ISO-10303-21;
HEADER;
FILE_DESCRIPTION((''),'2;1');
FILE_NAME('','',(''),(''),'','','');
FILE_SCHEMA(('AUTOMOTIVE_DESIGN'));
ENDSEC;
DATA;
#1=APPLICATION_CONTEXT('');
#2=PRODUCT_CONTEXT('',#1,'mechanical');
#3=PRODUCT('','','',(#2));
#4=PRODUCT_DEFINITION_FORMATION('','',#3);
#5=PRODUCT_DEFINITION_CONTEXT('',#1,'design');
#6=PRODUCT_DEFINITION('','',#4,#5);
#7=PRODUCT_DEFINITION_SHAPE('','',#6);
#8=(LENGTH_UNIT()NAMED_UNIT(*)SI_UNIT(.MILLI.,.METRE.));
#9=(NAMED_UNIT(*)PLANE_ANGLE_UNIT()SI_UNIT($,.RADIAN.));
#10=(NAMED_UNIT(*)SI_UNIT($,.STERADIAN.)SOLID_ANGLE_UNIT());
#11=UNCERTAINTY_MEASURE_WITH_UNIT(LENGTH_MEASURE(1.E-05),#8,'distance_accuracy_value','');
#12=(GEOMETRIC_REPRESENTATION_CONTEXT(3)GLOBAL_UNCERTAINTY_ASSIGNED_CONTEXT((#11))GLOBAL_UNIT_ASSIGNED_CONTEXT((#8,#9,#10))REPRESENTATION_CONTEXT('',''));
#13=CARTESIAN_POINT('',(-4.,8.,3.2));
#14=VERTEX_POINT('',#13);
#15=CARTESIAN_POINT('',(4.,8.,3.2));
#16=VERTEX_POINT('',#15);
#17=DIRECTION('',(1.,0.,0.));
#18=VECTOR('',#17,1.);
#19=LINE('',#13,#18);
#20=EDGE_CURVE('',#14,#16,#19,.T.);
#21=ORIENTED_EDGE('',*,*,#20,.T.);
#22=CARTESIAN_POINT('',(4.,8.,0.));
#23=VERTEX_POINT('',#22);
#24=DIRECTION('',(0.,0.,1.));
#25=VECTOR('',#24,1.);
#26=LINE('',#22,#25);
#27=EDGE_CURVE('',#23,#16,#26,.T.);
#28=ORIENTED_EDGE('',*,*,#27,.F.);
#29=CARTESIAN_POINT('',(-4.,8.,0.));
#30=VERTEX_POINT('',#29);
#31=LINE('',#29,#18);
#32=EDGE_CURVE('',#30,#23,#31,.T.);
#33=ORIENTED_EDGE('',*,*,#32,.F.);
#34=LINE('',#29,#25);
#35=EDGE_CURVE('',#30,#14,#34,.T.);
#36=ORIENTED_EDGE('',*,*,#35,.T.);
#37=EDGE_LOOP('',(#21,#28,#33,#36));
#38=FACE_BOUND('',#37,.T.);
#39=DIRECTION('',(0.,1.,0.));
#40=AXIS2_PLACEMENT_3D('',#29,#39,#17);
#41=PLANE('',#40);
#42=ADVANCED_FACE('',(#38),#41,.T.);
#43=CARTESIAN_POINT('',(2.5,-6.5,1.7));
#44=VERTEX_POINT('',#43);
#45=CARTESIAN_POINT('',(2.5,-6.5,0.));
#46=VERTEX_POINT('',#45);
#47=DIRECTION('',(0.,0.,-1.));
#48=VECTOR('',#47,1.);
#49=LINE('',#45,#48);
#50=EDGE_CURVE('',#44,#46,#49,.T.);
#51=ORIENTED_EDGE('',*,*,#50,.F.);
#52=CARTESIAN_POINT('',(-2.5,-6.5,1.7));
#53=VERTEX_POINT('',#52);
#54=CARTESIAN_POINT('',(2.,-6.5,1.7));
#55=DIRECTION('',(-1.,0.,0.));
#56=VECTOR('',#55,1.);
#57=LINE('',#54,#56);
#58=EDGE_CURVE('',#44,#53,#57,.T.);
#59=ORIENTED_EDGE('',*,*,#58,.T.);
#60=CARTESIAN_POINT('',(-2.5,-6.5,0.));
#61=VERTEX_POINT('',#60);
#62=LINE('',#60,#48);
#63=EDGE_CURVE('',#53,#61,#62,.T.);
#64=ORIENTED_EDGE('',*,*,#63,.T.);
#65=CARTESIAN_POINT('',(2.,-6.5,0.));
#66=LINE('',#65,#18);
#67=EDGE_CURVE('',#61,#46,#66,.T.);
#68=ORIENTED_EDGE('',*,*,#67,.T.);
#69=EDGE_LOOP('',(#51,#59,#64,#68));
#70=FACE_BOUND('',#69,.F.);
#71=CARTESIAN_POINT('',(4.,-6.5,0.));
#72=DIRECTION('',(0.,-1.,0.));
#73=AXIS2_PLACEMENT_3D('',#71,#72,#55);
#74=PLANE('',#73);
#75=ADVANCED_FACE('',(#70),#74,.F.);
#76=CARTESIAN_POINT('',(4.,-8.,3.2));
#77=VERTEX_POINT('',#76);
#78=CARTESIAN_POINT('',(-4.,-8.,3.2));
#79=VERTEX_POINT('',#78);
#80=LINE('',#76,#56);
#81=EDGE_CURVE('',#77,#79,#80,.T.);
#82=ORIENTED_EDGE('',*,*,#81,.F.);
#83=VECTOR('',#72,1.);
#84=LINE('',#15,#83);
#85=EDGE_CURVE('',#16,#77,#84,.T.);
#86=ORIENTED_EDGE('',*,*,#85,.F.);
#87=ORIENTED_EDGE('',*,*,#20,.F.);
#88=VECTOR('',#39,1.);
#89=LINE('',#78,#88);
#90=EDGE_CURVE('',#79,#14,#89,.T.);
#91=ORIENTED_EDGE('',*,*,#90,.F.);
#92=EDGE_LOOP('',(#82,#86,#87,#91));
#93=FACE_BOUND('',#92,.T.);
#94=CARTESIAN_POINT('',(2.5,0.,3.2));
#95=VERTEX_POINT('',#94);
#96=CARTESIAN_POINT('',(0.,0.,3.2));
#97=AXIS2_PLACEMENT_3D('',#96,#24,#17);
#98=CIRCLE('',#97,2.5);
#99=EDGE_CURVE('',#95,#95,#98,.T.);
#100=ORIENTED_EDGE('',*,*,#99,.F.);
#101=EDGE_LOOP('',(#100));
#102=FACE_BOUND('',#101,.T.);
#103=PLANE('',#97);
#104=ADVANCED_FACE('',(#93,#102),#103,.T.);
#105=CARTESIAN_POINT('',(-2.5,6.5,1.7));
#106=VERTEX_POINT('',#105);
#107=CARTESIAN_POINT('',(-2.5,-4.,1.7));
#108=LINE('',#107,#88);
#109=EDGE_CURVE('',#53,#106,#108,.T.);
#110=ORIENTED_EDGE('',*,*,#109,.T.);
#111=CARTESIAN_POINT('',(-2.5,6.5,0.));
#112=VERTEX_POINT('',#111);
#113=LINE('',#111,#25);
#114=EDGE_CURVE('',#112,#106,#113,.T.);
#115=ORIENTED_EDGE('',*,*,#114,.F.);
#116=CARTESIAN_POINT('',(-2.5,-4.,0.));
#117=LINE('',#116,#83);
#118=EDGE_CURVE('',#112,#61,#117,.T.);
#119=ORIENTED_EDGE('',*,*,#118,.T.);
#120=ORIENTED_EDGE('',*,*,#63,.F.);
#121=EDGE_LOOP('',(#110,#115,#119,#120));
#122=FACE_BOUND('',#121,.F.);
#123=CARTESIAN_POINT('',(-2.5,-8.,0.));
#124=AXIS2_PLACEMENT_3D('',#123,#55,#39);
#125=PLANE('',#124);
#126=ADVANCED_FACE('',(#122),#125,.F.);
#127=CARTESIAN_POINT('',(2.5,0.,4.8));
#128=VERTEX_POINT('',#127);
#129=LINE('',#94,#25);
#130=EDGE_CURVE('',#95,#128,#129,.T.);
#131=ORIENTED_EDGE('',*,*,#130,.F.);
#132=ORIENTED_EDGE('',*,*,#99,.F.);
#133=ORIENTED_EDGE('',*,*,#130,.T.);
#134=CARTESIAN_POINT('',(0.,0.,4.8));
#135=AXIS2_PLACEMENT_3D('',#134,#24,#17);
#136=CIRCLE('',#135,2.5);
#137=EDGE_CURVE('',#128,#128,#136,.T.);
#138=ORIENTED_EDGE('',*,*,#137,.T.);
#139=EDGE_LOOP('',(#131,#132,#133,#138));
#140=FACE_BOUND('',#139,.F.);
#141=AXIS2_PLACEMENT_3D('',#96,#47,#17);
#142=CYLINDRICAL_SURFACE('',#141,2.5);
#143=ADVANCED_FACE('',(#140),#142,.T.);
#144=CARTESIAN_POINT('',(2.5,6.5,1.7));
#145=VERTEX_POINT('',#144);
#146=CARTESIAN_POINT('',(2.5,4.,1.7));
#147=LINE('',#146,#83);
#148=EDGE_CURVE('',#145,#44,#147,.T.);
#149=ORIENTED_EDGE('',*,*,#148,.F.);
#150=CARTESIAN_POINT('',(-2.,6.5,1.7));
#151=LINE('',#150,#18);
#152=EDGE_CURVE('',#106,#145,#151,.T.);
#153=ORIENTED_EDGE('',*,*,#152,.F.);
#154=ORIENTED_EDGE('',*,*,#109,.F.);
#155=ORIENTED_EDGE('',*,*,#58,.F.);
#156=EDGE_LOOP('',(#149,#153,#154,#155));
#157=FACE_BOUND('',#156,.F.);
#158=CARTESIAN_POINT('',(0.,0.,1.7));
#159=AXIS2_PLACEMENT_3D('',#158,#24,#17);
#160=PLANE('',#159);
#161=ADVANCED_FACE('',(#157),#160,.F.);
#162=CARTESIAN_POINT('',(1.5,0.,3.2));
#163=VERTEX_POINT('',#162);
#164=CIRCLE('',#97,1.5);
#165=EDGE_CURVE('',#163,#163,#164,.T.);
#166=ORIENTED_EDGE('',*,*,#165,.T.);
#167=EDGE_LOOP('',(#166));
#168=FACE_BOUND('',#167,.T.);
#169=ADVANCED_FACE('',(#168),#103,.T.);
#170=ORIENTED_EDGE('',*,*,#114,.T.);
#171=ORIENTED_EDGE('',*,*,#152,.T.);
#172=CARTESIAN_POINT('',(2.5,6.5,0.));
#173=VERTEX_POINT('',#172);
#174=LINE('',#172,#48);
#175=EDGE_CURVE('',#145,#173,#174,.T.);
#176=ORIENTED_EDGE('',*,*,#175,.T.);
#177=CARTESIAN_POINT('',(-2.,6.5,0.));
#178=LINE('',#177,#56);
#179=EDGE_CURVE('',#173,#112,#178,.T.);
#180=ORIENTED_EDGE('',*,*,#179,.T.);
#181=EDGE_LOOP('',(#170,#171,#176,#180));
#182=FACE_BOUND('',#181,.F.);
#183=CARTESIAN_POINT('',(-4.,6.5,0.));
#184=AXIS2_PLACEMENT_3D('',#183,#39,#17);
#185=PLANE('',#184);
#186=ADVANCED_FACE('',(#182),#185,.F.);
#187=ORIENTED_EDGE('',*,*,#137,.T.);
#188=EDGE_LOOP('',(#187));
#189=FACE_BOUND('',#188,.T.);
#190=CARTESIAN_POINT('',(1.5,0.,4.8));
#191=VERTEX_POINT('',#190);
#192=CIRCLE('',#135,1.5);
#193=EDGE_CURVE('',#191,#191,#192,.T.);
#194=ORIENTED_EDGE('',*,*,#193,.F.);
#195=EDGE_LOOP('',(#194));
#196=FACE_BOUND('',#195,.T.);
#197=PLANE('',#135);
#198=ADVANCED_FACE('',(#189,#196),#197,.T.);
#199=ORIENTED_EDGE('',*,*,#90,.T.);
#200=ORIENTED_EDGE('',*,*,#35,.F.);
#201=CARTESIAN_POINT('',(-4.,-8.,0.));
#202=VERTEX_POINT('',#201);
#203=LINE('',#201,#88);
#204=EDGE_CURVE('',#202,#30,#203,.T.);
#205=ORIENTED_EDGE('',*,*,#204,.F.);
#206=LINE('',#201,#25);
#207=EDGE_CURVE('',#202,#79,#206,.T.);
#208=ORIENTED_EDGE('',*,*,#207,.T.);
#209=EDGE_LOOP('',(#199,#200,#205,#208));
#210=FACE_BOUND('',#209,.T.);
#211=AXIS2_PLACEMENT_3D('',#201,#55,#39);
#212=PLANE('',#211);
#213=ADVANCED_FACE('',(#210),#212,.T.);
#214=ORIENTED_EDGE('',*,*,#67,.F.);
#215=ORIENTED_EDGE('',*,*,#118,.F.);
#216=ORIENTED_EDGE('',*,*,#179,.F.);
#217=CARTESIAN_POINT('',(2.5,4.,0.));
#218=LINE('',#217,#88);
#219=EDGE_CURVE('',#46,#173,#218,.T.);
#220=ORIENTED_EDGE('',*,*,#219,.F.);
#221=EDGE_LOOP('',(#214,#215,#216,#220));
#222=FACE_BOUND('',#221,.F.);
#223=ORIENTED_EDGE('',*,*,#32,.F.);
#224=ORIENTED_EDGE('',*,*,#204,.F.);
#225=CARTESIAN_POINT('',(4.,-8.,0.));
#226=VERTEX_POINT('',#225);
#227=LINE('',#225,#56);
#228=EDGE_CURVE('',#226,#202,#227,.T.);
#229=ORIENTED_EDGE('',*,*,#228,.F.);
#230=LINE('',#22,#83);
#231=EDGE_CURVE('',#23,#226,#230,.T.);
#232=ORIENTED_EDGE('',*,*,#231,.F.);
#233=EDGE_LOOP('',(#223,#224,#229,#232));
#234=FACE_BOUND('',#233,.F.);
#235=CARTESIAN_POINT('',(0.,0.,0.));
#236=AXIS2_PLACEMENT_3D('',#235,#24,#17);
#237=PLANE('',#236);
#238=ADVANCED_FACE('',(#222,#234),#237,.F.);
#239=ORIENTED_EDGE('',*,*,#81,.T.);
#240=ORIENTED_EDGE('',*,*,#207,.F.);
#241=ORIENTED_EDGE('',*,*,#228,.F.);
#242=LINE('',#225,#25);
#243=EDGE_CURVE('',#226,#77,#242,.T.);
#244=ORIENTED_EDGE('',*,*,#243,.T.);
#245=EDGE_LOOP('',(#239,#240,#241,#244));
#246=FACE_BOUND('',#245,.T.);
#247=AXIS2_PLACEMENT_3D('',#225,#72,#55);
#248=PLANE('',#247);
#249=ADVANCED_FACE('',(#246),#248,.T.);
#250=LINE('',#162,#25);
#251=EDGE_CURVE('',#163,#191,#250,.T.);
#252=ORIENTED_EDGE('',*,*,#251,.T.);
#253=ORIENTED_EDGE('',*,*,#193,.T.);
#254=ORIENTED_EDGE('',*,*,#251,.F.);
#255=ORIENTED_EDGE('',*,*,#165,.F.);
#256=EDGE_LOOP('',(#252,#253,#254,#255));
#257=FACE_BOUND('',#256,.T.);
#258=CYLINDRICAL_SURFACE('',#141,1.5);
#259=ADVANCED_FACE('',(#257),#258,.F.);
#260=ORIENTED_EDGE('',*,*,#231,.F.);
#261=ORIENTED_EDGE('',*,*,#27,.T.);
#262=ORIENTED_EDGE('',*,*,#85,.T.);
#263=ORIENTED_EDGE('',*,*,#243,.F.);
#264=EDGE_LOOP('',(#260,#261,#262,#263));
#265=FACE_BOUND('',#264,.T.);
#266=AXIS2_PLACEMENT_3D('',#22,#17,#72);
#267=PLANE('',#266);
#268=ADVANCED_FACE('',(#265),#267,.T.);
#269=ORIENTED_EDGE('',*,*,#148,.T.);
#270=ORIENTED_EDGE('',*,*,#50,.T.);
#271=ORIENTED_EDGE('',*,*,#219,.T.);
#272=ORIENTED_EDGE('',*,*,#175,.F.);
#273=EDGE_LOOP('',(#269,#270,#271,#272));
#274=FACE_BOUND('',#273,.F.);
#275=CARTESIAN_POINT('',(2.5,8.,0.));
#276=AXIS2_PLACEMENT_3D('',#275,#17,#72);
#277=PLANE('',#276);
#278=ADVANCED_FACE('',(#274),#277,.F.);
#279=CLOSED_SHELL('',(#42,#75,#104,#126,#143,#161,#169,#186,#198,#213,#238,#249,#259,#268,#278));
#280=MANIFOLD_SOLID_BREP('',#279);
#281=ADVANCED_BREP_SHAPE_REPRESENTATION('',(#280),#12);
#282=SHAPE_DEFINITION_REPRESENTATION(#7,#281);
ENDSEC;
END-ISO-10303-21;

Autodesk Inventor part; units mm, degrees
ref_plane "YZ Plane" through (0, 0, 0) normal (1, 0, 0) x (0, 1, 0)
ref_plane "XZ Plane" through (0, 0, 0) normal (0, 1, 0) x (-1, 0, 0)
ref_plane "XY Plane" through (0, 0, 0) normal (0, 0, 1) x (1, 0, 0)
sketch "Sketch1" plane through (0, 0, 0) normal (0, 0, 1) x (1, 0, 0)
  line L0 (-4, 8) -> (4, 8)
  line L1 (4, 8) -> (4, -8)
  line L2 (4, -8) -> (-4, -8)
  line L3 (-4, -8) -> (-4, 8)
  point P0 (0, 0)
  dimension "d0" = 8
  dimension "d1" = 16
  dimension "d2" = 4
  dimension "d3" = 8
extrude "Extrusion1" add sketch "Sketch1" along normal blind 3.2
shell "Shell1" thickness 1.5 removed faces 1 at (-1.3333, 2.6667, 0)
sketch "Sketch2" plane through (0, 0, 3.2) normal (0, 0, 1) x (1, 0, 0)
  circle A0 centre (0, -4) radius 2.5
  line L0 (4, 8) -> (4, -8) projected
  line L1 (4, -8) -> (-4, -8) projected
  dimension "d7" = 5
  dimension "d10" = 4
  dimension "d11" = 4
extrude "Extrusion2" [suppressed]
sketch "Sketch3" plane through (2.5, -6.5, 1.7) normal (0, 0, -1) x (-1, 0, 0)
  point P0 (2.5, 6.5)
extrude "Extrusion3" [suppressed]
pattern_linear "Rectangular Pattern1" [suppressed]
sketch "Sketch4" plane through (2.5, -6.5, 1.7) normal (0, 0, -1) x (-1, 0, 0)
  point P0 (2.5, 6.5)
extrude "Extrusion4" [suppressed]
pattern_linear "Rectangular Pattern2" [suppressed]
sketch "Sketch5" plane through (0, 0, 3.2) normal (0, 0, 1) x (1, 0, 0)
  circle A0 centre (0, 0) radius 2.5
  circle A1 centre (0, 0) radius 1.5
  dimension "d41" = 5
  dimension "d42" = 3
extrude "Extrusion5" add sketch "Sketch5" along normal blind 1.6
equation "\"d0\" = 8 * WIDTH"
equation "\"d1\" = 8 * LENGTH"
equation "\"d2\" = 0.5 * d0"
equation "\"d3\" = 0.5 * d1"
equation "\"d4\" = HEIGHT"
equation "\"WIDTH\" = 1"
equation "\"HEIGHT\" = 3.2"
equation "\"LENGTH\" = 2"
properties part number "3794" material "Steel"
